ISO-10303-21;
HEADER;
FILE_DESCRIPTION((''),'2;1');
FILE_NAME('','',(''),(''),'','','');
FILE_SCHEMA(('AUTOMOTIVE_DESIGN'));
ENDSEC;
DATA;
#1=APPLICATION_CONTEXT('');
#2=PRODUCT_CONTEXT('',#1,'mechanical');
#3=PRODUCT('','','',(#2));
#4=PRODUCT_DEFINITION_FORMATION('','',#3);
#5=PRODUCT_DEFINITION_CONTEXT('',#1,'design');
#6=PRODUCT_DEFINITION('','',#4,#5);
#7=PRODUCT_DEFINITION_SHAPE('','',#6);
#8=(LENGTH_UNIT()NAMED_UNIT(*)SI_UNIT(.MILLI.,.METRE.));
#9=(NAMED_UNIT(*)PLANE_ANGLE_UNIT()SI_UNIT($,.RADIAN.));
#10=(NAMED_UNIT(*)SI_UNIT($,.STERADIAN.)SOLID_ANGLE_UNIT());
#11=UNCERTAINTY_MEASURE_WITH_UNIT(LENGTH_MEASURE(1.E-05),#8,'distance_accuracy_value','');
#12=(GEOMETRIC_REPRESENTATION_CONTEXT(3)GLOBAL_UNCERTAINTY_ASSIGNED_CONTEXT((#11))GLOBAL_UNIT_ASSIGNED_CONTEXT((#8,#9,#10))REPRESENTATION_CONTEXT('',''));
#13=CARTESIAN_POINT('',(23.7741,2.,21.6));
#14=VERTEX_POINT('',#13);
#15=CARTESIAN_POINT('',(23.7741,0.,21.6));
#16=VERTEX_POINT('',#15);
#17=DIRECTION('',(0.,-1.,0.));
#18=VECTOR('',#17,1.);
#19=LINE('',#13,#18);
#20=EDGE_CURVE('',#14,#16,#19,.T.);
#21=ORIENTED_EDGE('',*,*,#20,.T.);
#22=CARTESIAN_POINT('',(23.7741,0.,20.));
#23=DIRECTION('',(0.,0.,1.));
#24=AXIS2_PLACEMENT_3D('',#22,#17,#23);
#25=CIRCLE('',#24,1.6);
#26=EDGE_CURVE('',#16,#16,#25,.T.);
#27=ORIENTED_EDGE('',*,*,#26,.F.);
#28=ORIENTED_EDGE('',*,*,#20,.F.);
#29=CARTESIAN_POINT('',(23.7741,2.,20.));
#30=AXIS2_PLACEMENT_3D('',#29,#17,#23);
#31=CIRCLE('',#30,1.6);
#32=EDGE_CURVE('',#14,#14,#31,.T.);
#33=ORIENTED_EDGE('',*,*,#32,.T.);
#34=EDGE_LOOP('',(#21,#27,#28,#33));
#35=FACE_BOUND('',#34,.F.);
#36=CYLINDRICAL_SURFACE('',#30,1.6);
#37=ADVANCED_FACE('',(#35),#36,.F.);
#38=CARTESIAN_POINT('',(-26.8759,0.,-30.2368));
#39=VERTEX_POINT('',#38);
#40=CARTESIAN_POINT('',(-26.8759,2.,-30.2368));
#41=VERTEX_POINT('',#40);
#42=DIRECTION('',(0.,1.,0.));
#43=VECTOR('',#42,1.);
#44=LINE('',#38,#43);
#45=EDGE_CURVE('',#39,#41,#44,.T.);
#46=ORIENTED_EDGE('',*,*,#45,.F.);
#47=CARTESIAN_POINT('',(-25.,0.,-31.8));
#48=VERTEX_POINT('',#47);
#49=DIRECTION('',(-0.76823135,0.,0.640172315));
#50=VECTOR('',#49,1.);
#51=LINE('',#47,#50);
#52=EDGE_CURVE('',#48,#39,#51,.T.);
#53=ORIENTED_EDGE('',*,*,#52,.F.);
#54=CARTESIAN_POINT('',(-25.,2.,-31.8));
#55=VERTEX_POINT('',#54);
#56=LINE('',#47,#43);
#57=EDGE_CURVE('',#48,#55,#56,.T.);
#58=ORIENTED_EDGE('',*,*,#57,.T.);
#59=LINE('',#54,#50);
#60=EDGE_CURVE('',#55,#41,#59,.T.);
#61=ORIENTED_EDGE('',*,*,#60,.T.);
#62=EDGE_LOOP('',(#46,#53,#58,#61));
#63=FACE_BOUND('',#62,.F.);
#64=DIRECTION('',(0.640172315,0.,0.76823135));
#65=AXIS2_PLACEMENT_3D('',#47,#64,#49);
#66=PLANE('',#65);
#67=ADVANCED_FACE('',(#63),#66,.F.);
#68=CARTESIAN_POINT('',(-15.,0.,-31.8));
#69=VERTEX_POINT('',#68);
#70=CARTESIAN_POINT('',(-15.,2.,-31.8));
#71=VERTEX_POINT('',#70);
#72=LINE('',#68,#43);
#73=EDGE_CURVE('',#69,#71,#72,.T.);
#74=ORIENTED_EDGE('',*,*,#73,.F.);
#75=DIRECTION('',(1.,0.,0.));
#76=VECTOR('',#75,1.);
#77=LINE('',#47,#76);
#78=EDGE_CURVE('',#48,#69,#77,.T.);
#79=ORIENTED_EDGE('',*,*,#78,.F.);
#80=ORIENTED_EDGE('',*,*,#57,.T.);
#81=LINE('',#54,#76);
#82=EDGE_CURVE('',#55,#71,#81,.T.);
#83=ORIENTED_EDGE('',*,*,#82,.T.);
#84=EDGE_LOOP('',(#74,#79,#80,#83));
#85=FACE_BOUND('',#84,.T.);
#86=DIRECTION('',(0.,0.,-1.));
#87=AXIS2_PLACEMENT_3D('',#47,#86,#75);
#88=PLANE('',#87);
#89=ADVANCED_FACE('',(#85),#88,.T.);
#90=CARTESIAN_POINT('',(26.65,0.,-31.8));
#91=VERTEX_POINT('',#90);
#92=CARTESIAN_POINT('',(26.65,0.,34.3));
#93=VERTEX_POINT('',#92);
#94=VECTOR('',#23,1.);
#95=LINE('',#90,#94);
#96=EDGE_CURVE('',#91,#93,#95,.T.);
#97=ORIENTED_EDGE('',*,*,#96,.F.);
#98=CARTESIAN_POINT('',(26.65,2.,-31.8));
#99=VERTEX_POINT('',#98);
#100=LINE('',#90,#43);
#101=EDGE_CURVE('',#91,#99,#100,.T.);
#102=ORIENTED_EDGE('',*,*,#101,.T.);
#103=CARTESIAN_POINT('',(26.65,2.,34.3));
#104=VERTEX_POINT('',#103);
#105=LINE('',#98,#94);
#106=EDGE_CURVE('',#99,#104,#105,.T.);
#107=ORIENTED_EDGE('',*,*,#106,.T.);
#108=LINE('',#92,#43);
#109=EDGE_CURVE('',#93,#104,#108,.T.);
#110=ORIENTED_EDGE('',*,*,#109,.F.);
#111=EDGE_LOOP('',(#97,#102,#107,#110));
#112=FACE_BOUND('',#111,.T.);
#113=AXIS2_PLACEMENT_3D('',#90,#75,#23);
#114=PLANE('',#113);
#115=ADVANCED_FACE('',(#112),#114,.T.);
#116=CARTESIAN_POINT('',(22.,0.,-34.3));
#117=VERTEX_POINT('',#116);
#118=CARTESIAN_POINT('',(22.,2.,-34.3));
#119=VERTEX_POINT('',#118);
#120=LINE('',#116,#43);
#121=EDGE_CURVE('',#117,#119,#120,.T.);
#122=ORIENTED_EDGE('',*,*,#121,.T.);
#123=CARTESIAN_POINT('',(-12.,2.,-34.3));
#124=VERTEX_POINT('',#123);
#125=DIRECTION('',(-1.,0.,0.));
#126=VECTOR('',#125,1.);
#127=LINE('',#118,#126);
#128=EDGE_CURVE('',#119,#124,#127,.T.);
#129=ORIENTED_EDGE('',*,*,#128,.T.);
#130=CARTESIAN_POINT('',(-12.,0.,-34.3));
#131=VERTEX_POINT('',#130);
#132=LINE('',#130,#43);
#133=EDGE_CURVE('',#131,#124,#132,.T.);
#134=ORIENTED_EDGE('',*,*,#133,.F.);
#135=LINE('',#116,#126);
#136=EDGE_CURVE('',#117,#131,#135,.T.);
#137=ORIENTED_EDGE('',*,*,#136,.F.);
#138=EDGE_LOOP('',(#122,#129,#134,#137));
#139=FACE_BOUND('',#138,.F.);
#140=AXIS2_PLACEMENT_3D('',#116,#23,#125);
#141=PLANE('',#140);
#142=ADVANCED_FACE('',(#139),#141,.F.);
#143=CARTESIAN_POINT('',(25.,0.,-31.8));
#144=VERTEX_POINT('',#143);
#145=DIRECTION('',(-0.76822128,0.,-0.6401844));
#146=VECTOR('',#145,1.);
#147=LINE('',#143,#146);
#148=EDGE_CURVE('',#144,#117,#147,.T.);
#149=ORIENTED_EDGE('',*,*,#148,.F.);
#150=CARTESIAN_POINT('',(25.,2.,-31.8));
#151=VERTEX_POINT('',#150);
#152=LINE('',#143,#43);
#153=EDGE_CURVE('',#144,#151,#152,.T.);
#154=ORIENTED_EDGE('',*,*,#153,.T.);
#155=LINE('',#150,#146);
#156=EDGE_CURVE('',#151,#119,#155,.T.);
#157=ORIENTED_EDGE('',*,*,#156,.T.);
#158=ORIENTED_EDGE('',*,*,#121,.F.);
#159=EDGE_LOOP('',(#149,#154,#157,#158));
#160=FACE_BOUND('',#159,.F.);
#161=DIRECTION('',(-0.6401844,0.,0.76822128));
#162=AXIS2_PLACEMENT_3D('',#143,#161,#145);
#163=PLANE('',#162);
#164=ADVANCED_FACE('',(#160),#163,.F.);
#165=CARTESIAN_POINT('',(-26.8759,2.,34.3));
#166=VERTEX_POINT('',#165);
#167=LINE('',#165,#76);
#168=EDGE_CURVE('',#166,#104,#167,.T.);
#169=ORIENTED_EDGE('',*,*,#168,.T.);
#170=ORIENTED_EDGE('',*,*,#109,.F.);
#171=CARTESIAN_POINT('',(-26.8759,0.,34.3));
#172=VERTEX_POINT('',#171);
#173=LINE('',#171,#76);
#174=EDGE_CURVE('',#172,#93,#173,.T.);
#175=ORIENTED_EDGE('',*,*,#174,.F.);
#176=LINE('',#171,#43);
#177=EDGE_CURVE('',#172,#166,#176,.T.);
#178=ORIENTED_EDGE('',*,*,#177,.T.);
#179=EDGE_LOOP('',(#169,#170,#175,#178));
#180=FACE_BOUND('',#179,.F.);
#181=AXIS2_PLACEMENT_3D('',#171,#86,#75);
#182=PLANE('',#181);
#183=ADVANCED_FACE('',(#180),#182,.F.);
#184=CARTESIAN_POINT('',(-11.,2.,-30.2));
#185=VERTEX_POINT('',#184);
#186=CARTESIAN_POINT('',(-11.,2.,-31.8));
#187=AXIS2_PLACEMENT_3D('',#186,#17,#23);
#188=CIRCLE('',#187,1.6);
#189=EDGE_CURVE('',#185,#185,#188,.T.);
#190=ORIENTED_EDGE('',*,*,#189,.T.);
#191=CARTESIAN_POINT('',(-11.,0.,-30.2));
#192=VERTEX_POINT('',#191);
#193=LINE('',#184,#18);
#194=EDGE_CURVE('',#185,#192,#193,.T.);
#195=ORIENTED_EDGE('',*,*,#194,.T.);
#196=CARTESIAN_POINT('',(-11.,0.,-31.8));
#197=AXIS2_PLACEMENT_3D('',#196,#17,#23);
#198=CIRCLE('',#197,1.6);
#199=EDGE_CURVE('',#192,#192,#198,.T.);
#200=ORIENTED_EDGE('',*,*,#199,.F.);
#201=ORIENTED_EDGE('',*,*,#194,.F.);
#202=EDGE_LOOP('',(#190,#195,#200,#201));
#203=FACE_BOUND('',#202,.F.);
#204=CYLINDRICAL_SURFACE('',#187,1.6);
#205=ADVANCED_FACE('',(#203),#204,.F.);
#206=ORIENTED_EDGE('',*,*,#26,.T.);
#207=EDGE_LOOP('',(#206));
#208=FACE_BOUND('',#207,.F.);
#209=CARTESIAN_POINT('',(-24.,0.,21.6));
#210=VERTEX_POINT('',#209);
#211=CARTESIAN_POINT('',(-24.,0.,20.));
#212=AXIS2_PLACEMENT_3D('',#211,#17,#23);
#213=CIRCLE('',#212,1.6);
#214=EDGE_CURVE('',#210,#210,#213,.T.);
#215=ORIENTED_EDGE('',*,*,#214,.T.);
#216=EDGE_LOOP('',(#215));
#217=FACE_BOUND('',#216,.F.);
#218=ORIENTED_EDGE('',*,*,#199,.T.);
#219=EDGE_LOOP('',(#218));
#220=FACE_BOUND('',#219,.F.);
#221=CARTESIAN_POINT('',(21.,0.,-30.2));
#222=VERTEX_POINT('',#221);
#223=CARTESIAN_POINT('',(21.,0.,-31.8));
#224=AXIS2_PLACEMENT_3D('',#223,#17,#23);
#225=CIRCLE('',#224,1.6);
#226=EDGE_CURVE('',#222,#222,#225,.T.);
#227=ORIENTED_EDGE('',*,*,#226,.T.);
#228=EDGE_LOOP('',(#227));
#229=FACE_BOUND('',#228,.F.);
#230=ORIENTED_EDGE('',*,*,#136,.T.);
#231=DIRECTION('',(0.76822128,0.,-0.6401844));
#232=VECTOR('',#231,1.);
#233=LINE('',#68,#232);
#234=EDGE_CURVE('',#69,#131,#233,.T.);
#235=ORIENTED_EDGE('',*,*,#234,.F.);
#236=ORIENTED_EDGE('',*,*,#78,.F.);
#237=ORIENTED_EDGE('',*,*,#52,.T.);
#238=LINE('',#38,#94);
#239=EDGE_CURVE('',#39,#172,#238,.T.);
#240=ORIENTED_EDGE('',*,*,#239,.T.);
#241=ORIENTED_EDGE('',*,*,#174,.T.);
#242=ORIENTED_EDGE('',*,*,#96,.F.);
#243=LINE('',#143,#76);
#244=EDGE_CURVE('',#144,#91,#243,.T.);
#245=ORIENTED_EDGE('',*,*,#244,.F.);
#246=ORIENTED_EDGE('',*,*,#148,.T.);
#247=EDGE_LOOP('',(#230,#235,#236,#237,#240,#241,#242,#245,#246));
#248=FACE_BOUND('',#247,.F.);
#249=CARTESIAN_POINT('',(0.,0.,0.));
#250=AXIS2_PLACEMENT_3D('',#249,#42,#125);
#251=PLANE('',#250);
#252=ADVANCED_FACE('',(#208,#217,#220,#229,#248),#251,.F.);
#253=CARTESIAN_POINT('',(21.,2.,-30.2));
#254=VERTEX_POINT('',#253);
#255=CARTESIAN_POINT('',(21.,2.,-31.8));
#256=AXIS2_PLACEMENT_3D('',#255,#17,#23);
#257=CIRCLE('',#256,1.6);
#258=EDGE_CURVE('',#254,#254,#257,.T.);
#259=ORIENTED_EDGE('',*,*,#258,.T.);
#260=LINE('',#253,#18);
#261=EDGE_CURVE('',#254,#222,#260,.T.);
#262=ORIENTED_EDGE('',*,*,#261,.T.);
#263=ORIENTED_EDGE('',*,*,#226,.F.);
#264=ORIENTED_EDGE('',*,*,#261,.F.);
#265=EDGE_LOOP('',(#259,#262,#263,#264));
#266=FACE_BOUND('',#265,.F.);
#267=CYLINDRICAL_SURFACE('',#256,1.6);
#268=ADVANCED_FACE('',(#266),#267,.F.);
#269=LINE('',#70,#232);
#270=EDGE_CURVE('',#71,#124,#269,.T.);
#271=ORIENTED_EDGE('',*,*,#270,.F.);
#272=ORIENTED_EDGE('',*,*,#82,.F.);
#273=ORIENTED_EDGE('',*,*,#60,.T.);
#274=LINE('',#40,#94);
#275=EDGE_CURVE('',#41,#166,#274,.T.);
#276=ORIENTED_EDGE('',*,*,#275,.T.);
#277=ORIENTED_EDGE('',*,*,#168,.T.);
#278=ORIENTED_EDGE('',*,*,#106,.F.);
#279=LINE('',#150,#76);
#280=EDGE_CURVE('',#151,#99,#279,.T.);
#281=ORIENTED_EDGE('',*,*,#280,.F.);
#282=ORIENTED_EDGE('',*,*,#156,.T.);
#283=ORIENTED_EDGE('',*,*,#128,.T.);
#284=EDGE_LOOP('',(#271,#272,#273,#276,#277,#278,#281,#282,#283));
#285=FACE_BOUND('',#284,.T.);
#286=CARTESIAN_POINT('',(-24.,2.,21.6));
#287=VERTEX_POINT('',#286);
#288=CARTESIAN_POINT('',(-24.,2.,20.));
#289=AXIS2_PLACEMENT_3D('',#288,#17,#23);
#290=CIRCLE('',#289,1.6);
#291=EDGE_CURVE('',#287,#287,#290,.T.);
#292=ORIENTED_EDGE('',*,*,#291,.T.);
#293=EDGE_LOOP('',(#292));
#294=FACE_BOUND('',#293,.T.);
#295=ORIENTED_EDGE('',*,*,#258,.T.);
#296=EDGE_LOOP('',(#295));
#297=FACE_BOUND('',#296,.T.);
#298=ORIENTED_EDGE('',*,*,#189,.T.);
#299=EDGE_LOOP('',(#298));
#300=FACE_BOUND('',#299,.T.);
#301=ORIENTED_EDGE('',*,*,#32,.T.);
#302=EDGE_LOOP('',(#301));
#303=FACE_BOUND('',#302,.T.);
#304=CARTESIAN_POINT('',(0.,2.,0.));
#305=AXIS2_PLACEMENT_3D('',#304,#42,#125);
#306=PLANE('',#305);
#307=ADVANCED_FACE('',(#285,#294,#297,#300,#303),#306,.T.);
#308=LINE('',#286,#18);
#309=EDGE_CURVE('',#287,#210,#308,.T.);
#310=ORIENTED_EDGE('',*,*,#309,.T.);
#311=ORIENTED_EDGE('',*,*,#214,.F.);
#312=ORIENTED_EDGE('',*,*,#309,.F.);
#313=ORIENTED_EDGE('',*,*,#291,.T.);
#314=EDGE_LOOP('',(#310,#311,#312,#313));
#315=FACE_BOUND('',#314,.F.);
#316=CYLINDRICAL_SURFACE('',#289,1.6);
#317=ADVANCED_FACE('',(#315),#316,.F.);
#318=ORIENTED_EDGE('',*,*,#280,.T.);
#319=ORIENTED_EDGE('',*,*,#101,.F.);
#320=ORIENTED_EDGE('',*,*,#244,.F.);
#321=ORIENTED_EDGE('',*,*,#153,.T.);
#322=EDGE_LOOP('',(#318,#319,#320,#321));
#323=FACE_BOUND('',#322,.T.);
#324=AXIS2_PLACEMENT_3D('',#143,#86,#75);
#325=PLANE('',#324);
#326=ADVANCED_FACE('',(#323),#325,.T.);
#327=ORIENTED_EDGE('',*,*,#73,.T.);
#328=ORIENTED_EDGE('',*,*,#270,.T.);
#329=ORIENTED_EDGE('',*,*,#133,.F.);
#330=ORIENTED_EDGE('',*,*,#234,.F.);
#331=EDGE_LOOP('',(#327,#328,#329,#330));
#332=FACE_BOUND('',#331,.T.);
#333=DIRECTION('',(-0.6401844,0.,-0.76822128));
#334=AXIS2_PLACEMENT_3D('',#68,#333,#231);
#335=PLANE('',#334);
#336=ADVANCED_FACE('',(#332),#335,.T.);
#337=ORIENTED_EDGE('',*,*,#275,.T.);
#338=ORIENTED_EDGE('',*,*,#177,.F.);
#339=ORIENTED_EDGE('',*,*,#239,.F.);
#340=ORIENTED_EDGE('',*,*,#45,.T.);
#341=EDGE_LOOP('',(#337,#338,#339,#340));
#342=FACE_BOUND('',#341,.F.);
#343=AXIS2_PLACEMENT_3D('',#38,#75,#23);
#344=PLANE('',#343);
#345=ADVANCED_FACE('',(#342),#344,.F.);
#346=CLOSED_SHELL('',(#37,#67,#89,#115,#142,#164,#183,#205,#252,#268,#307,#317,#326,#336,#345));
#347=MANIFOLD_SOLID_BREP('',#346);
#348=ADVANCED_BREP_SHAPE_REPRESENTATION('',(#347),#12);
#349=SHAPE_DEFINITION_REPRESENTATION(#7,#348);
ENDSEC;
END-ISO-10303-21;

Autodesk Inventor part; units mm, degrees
ref_plane "YZ Plane" through (0, 0, 0) normal (1, 0, 0) x (0, 1, 0)
ref_plane "XZ Plane" through (0, 0, 0) normal (0, 1, 0) x (-1, 0, 0)
ref_plane "XY Plane" through (0, 0, 0) normal (0, 0, 1) x (1, 0, 0)
sketch "Sketch1" plane through (0, 0, 0) normal (0, 1, 0) x (-1, 0, 0)
  line L0 (26.8759, 34.3) -> (-26.65, 34.3)
  line L1 (-25, -31.8) -> (-22, -34.3)
  line L2 (15, -31.8) -> (12, -34.3)
  line L3 (-25, -31.8) -> (-26.65, -31.8)
  line L4 (-22, -34.3) -> (12, -34.3)
  line L5 (-26.65, -31.8) -> (-26.65, 34.3)
  line L6 (25, -31.8) -> (26.8759, -30.2368)
  line L7 (25, -31.8) -> (15, -31.8)
  line L8 (26.8759, -30.2368) -> (26.8759, 34.3)
  line L9 (26.8759, 34.3) -> (-26.65, 34.3)
  line L10 (-26.65, -31.8) -> (-26.65, 34.3)
  line L11 (-26.65, -31.8) -> (-25, -31.8)
  line L12 (-25, -31.8) -> (-22, -34.3)
  line L13 (-22, -34.3) -> (12, -34.3)
  line L14 (12, -34.3) -> (15, -31.8)
  line L15 (15, -31.8) -> (25, -31.8)
  line L16 (25, -31.8) -> (26.8759, -30.2368)
  line L17 (26.8759, -30.2368) -> (26.8759, 34.3)
  point P0 (0, 0)
  point P1 (0, 0)
extrude "Extrusion1" add sketch "Sketch1" along normal blind 2
sketch "Sketch2" plane through (0, 2, 0) normal (0, 1, 0) x (1, 0, 0)
  line L0 (-26.8759, -34.3) -> (26.65, -34.3) construction
  line L1 (-24, -34.3) -> (-24, -20) construction
  circle A0 centre (-24, -20) radius 1.6
  line L2 (-0.1129, -34.3) -> (-0.1129, 34.3) construction
  line L3 (22, 34.3) -> (-12, 34.3) construction
  circle A1 centre (-24, -20) radius 1.6 construction
  circle A2 centre (23.7741, -20) radius 1.6
  point P0 (0, 0)
  dimension "d5" = 3.2
sketch "Sketch3" plane through (0, 2, 0) normal (0, 1, 0) x (1, 0, 0)
  circle A0 centre (-11, 31.8) radius 1.6 construction
  circle A1 centre (-11, 31.8) radius 1.6
  circle A2 centre (21, 31.8) radius 1.6
  line L0 (-18, -34.3) -> (-18, -38) construction
  line L1 (-18, -38) -> (-8, -38) construction
  line L2 (-8, -38) -> (-8, -34.3) construction
  line L3 (24, -36) -> (16, -36) construction
  line L4 (16, -36) -> (16, -34.3) construction
  line L5 (24, -34.3) -> (24, -36)
  line L6 (16, -36) -> (16, -34.3)
  line L7 (-8, -34.3) -> (-8, -38)
  line L8 (-18, -38) -> (-18, -34.3)
  line L9 (-18, -38) -> (-8, -38)
  line L10 (16, -36) -> (24, -36)
  line L11 (-18, -34.3) -> (-8, -34.3)
  line L12 (-26.8759, -34.3) -> (26.65, -34.3) projected
  line L13 (16, -34.3) -> (24, -34.3)
  line L14 (-26.8759, -34.3) -> (26.65, -34.3)
  line L15 (26.65, -34.3) -> (24, -34.3)
  line L16 (24, -34.3) -> (24, -36)
  line L17 (24, -36) -> (16, -36)
  line L18 (16, -34.3) -> (-8, -34.3)
  line L19 (-8, -34.3) -> (-8, -38)
  line L20 (-18, -38) -> (-18, -34.3)
  line L21 (-26.8759, 30.2368) -> (-25, 31.8)
  line L22 (-25, 31.8) -> (-26.8759, 30.2368) projected
  line L23 (-15, 31.8) -> (-12, 34.3)
  line L24 (-12, 34.3) -> (-15, 31.8) projected
  line L25 (-12, 34.3) -> (22, 34.3)
  line L26 (22, 34.3) -> (-12, 34.3) projected
  line L27 (22, 34.3) -> (25, 31.8)
  line L28 (25, 31.8) -> (22, 34.3) projected
  line L29 (25, 31.8) -> (26.65, 31.8)
  line L30 (26.65, 31.8) -> (26.65, -34.3)
  line L31 (-26.8759, -34.3) -> (26.65, -34.3) projected
  line L32 (-11, 31.8) -> (21, 31.8) construction
  line L33 (5, 31.8) -> (5, 0) construction
  point P0 (0, 0)
hole "Hole1" at (-24, 2, 20) at (23.7741, 2, 20) direction (0, -1, 0) diameter 3.2 depth 8 tip angle 118
hole "Hole2" at (-11, 2, -31.8) at (21, 2, -31.8) direction (0, -1, 0) diameter 3.2 depth 8 tip angle 118
properties part number "Arduino"
